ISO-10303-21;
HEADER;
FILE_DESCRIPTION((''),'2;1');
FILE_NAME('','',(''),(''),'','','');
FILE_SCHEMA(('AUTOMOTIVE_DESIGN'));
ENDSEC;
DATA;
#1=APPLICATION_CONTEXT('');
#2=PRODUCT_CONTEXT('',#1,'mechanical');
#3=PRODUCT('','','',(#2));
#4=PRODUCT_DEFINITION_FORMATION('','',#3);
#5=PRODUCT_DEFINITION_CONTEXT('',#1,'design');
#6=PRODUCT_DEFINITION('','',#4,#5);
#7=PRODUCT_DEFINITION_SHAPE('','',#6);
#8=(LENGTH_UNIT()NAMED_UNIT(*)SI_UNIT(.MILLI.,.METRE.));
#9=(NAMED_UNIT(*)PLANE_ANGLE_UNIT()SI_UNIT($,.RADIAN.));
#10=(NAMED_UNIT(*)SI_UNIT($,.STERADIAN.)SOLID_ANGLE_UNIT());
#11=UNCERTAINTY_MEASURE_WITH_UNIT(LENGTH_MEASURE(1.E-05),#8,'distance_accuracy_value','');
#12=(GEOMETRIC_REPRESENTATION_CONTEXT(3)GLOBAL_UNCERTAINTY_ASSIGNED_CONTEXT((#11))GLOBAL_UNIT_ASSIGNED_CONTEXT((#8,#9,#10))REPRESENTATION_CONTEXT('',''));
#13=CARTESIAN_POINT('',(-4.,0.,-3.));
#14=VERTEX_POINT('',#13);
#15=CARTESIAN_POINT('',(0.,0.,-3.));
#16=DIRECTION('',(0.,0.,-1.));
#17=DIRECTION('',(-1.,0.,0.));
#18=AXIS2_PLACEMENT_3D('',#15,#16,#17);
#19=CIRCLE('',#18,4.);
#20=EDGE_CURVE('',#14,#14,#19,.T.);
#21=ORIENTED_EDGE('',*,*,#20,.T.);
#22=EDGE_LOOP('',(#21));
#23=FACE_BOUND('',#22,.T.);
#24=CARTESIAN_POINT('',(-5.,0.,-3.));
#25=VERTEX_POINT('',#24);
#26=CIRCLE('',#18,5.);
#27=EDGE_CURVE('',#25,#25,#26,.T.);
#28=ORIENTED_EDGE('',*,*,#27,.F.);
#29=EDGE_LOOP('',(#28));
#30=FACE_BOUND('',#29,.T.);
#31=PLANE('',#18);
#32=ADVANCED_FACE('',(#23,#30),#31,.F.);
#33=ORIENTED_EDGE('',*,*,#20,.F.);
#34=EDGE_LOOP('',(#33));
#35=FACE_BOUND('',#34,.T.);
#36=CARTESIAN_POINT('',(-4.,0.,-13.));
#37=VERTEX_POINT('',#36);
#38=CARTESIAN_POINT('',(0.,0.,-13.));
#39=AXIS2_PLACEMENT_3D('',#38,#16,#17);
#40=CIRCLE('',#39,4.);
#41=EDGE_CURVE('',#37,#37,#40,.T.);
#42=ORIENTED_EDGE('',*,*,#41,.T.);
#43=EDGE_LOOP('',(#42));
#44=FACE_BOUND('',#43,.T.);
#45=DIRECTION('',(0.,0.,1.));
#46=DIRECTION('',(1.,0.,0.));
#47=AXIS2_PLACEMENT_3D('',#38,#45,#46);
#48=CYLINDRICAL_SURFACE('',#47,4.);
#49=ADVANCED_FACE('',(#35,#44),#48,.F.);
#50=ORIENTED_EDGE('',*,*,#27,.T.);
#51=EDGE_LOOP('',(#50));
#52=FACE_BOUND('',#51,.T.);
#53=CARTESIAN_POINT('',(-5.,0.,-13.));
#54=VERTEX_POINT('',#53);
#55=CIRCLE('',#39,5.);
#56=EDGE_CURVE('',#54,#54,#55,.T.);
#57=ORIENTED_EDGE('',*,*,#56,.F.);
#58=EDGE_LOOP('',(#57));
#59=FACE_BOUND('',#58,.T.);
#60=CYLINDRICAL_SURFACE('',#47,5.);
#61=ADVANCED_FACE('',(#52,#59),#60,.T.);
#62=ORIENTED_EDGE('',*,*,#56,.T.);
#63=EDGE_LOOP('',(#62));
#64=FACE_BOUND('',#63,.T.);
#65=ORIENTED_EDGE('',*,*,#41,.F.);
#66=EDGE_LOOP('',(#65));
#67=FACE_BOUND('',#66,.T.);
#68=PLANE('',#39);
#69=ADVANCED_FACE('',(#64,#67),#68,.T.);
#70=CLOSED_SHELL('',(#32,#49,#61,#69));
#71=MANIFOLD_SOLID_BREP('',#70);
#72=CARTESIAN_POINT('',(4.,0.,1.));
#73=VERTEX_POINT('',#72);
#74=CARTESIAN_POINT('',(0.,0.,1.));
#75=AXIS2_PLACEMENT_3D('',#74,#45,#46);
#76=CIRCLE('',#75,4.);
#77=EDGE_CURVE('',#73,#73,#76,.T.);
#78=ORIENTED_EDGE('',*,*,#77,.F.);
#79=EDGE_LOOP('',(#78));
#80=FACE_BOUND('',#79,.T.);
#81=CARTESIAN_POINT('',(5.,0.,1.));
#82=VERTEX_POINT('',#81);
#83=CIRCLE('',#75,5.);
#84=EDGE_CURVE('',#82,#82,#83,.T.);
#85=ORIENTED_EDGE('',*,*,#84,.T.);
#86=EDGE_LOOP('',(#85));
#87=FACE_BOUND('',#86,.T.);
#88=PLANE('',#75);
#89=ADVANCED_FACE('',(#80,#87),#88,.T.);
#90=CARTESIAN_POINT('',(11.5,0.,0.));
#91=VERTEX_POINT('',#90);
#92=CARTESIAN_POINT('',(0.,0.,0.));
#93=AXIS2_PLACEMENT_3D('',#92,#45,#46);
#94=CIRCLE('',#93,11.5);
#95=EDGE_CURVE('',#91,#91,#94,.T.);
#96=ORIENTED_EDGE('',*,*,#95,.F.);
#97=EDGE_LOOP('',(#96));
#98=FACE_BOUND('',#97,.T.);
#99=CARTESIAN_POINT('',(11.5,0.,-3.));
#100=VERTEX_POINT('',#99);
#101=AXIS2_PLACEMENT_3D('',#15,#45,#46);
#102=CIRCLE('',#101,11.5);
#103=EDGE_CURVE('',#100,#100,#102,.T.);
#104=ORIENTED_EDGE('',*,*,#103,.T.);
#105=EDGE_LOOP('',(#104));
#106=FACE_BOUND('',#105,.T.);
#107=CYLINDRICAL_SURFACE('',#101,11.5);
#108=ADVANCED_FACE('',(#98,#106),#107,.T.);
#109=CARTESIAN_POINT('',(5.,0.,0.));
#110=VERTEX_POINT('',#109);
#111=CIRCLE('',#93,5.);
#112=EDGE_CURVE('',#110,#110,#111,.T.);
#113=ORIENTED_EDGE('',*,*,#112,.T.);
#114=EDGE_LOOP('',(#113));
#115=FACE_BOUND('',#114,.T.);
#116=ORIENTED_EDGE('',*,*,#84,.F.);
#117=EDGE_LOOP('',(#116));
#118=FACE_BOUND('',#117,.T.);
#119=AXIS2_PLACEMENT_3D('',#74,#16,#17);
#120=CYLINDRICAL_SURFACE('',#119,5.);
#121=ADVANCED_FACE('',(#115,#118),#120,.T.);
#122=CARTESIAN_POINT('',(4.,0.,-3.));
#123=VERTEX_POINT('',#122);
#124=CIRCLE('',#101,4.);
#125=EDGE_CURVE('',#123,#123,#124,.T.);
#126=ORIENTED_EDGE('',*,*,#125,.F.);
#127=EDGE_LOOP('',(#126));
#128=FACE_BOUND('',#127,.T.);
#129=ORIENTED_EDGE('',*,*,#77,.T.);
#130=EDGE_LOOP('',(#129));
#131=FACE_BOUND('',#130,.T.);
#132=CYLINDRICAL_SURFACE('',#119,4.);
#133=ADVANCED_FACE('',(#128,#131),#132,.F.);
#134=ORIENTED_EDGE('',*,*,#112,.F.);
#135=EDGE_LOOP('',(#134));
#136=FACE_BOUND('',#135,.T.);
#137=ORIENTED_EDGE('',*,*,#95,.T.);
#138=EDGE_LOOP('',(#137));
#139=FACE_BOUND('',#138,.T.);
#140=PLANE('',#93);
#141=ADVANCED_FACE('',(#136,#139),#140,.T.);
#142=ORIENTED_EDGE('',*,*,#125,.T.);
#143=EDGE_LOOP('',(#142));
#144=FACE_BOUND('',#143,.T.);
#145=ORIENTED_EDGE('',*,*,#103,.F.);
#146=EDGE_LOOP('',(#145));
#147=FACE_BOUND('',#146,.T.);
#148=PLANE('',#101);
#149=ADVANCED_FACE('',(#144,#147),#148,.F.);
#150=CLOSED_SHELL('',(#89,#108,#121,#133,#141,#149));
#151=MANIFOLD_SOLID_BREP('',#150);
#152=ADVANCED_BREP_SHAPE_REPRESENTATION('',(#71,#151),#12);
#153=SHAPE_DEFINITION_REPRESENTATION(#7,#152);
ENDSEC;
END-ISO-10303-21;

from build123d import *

# Parameters (mm, degrees)
SKETCH1_R           = 5
SKETCH1_R_2         = 4
BOSS_EXTRUDE1_DEPTH = 1
BOSS_EXTRUDE2_START = -3
SKETCH2_R           = 11.5
SKETCH2_R_2         = 4
BOSS_EXTRUDE2_DEPTH = 3
SKETCH5_R           = 5
SKETCH5_R_2         = 4
BOSS_EXTRUDE3_DEPTH = 10


with BuildPart() as part:
    # Sketch1 → Boss-Extrude1 (new body)
    with BuildSketch(Plane.XY):
        Circle(SKETCH1_R)
        Circle(SKETCH1_R_2, mode=Mode.SUBTRACT)
    extrude(amount=BOSS_EXTRUDE1_DEPTH)

    # Sketch2 → Boss-Extrude2 (add)
    with BuildSketch(Plane.XY.offset(BOSS_EXTRUDE2_START)):
        Circle(SKETCH2_R)
        Circle(SKETCH2_R_2, mode=Mode.SUBTRACT)
    extrude(amount=BOSS_EXTRUDE2_DEPTH)


with BuildPart() as body_2:
    # Sketch5 → Boss-Extrude3 (new body)
    with BuildSketch(Plane(origin=(0, 0, -3), x_dir=(-1, 0, 0), z_dir=(0, 0, -1))):
        Circle(SKETCH5_R)
        Circle(SKETCH5_R_2, mode=Mode.SUBTRACT)
    extrude(amount=BOSS_EXTRUDE3_DEPTH)


solid = Compound([part.part, body_2.part])
